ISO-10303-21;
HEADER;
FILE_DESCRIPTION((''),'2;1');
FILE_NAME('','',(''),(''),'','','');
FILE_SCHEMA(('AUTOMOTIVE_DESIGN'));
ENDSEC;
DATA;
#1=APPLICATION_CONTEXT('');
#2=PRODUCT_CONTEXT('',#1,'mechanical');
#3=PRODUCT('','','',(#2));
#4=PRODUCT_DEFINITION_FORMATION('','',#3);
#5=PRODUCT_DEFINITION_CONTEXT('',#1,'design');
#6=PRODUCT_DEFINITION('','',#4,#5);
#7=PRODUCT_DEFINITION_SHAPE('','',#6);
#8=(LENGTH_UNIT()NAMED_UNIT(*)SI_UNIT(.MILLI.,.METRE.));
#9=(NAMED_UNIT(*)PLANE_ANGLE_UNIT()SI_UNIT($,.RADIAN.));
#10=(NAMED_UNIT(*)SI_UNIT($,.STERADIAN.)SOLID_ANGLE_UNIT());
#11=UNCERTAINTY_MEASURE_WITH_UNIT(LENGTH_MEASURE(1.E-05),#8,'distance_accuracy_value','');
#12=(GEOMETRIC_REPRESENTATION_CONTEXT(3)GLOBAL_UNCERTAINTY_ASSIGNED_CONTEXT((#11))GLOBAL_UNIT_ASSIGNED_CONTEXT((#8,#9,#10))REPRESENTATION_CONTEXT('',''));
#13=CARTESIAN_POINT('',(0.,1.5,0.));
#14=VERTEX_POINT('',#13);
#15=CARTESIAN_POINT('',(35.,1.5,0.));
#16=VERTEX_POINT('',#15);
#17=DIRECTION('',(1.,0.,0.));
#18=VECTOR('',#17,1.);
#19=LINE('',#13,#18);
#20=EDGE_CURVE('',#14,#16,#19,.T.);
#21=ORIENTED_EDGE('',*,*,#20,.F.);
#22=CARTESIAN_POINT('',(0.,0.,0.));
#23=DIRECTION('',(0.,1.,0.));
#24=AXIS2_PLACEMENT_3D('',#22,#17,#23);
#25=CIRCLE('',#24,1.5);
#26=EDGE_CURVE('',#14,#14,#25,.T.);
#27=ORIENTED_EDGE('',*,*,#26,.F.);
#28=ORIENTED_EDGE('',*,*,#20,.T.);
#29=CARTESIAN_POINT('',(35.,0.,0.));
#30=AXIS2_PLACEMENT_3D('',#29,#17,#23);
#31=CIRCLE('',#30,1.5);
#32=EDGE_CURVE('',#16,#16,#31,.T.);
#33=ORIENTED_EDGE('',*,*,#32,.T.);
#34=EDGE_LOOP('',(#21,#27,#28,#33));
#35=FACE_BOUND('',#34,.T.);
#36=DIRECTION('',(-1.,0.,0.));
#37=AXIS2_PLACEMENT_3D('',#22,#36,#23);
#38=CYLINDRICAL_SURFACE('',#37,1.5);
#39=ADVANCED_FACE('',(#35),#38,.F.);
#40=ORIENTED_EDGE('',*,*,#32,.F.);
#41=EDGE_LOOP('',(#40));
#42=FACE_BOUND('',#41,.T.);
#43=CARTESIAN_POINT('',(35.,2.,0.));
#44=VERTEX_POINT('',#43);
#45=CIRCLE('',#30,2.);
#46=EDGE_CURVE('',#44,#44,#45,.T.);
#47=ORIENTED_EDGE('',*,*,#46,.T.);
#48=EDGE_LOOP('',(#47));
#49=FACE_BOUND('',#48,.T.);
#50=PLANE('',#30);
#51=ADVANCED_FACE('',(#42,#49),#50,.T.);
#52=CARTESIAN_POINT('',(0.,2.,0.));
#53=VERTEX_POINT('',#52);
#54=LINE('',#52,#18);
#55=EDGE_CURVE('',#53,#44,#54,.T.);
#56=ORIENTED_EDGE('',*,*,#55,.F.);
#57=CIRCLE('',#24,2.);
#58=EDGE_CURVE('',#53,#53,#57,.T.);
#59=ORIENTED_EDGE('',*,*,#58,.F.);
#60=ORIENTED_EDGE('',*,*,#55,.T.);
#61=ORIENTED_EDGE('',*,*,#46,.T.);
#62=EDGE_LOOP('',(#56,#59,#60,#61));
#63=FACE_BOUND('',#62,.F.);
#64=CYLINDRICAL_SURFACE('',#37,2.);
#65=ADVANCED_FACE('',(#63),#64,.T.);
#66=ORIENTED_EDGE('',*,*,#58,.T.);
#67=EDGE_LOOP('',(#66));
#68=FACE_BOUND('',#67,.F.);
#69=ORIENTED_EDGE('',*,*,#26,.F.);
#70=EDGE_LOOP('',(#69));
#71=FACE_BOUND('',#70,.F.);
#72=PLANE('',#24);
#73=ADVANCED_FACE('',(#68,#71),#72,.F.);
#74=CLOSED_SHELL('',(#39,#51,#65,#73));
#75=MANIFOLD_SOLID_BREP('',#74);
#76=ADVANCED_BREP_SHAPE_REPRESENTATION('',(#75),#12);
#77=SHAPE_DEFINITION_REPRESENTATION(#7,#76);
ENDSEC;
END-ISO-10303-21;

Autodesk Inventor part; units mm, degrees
ref_plane "YZ Plane" through (0, 0, 0) normal (1, 0, 0) x (0, 1, 0)
ref_plane "XZ Plane" through (0, 0, 0) normal (0, 1, 0) x (-1, 0, 0)
ref_plane "XY Plane" through (0, 0, 0) normal (0, 0, 1) x (1, 0, 0)
sketch "Sketch1" plane through (0, 0, 0) normal (1, 0, 0) x (0, 1, 0)
  circle A0 centre (0, 0) radius 2
  circle A1 centre (0, 0) radius 1.5
  dimension "d0" = 4
  dimension "d1" = 3
extrude "Extrusion1" add sketch "Sketch1" along normal blind 35
properties part number "shortSpaver"
